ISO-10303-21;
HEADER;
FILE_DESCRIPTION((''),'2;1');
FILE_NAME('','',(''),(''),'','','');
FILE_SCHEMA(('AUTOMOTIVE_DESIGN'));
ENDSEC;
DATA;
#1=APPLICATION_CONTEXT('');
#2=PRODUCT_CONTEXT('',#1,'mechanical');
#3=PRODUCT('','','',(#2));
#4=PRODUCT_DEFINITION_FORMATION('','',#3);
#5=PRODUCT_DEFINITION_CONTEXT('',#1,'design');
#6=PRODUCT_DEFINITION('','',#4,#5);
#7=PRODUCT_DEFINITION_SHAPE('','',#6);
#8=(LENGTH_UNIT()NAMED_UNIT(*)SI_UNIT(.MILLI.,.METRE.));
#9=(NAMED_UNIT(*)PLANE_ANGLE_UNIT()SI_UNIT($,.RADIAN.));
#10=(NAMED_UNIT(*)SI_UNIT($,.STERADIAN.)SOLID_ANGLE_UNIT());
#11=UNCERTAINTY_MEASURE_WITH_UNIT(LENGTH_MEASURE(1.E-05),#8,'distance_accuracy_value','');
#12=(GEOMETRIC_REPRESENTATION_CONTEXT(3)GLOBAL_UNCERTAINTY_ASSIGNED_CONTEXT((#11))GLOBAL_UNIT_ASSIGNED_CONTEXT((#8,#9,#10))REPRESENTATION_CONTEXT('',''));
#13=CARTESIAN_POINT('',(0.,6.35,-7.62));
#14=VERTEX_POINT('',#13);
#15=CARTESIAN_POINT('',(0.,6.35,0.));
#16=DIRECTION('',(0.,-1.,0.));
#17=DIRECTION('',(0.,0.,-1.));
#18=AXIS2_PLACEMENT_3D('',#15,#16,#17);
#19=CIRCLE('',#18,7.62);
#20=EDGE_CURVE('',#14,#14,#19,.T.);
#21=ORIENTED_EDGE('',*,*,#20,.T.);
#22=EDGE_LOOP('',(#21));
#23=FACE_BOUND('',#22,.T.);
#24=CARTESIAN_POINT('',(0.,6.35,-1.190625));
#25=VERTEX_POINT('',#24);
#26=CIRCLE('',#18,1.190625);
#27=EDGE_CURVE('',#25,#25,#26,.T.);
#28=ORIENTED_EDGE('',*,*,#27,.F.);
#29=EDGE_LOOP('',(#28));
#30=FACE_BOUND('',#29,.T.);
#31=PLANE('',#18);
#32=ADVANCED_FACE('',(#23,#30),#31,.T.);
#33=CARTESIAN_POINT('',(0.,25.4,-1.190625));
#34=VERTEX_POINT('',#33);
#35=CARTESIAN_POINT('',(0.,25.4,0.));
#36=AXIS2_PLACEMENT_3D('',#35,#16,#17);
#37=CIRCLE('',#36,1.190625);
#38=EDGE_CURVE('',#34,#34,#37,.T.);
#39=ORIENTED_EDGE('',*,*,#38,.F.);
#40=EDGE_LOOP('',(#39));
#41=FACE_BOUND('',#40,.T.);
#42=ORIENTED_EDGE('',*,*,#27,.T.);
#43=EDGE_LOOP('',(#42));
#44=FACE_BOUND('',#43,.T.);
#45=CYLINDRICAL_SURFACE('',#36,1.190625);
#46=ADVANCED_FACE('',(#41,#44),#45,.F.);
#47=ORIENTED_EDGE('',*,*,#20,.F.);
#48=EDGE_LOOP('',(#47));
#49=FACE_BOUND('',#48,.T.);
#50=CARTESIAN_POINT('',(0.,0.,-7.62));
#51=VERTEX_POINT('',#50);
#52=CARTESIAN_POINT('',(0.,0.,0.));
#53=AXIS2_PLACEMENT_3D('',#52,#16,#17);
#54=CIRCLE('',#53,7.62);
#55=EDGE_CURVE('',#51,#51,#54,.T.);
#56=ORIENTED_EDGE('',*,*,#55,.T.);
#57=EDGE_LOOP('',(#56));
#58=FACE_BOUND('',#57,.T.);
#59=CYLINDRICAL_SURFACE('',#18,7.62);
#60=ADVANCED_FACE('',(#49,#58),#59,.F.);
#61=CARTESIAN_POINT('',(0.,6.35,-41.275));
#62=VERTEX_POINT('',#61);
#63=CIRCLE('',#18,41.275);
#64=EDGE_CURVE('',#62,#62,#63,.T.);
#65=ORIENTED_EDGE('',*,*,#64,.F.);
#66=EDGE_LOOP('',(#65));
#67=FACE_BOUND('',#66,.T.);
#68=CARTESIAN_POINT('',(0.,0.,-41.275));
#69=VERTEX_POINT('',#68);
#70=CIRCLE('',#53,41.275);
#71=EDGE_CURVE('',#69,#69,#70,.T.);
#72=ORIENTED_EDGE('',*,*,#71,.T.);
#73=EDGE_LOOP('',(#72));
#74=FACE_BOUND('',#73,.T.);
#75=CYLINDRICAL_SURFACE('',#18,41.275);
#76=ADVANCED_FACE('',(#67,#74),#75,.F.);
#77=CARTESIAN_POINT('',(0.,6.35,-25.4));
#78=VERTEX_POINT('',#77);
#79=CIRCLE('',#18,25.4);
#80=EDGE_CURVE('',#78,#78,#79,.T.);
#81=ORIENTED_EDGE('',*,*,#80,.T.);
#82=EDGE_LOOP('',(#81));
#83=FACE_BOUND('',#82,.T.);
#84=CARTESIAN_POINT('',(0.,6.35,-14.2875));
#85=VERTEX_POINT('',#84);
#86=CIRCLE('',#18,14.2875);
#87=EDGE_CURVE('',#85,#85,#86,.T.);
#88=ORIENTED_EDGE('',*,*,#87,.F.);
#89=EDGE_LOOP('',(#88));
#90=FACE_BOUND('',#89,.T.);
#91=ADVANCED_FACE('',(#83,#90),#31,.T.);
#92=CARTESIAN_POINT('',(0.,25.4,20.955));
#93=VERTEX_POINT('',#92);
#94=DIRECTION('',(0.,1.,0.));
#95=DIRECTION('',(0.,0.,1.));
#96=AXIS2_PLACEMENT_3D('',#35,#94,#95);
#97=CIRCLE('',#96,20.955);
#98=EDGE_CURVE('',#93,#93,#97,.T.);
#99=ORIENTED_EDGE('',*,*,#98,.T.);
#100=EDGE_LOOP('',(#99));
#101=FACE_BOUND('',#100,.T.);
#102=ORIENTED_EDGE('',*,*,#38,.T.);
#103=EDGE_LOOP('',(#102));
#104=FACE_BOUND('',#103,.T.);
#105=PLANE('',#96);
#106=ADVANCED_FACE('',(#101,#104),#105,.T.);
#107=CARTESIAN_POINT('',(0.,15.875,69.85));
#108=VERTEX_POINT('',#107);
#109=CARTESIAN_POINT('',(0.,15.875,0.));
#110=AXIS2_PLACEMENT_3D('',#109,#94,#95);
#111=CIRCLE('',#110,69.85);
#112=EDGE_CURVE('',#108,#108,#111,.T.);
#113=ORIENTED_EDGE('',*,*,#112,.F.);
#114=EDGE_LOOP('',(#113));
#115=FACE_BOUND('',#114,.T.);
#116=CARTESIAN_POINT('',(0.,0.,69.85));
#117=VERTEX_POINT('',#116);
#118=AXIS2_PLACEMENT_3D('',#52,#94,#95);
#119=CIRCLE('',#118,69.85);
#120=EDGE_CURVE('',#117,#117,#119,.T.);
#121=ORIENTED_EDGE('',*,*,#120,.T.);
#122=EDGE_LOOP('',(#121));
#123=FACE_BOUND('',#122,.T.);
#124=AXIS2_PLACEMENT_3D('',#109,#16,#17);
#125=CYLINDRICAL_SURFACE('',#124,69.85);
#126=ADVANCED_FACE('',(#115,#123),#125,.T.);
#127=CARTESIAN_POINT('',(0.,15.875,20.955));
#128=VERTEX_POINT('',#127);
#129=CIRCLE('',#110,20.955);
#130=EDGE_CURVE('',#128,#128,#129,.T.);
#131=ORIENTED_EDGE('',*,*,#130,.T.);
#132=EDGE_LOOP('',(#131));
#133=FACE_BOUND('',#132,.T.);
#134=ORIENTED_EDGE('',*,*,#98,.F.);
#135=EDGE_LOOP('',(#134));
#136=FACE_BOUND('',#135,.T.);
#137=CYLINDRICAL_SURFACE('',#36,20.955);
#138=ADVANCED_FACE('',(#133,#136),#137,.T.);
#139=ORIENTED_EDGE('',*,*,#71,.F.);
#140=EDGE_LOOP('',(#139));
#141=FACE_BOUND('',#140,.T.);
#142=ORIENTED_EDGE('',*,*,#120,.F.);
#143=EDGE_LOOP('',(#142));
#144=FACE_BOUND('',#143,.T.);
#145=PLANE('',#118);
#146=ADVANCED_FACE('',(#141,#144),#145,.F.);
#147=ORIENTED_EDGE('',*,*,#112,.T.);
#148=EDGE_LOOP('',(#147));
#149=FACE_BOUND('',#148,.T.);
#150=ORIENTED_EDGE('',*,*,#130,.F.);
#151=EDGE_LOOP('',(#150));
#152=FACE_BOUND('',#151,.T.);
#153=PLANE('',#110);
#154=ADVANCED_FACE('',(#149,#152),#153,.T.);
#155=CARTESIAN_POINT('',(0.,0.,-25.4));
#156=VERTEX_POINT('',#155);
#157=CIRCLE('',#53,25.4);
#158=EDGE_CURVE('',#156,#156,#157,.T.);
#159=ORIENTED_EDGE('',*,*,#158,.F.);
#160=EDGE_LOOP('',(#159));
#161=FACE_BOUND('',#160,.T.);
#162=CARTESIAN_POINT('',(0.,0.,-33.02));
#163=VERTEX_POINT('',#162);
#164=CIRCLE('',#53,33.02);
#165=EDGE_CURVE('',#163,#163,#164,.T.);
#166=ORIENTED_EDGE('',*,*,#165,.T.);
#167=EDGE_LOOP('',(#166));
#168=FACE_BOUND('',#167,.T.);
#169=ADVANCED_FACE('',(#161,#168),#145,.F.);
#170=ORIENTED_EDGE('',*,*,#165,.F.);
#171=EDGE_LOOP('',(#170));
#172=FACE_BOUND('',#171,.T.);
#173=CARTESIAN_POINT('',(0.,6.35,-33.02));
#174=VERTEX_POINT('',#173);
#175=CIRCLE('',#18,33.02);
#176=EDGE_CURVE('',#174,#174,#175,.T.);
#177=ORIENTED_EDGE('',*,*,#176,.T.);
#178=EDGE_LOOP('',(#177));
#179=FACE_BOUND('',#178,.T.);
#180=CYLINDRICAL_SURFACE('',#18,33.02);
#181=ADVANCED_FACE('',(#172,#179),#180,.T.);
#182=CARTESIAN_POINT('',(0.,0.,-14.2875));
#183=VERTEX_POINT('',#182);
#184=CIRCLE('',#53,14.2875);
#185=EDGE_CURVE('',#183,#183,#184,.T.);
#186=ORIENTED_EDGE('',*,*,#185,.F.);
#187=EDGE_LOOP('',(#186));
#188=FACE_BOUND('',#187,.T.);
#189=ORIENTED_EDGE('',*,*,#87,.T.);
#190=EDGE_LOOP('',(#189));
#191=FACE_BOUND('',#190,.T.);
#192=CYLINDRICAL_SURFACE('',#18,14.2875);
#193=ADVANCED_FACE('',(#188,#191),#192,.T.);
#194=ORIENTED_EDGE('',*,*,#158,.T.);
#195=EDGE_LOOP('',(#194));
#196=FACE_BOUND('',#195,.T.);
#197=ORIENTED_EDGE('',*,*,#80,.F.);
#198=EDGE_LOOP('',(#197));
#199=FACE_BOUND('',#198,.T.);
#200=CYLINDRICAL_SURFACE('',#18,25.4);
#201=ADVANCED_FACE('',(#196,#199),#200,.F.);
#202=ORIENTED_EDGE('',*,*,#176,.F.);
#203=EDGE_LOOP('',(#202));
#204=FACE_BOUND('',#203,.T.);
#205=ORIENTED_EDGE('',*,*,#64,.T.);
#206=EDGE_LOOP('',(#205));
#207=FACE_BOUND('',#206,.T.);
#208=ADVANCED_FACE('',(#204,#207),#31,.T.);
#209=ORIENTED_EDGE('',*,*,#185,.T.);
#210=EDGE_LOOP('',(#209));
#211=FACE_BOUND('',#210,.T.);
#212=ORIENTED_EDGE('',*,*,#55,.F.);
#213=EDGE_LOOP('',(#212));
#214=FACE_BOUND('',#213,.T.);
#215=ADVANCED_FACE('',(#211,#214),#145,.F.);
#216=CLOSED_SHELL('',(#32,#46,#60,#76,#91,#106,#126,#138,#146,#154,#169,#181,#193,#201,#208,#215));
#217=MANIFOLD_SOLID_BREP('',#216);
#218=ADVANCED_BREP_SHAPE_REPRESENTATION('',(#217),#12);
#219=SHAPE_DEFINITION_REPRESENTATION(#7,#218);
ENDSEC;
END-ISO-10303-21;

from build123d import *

# Parameters (mm, degrees)
SKETCH1_R           = 69.85
BOSS_EXTRUDE1_DEPTH = 15.875
SKETCH2_R           = 20.955
BOSS_EXTRUDE2_DEPTH = 9.525
SKETCH13_R          = 41.275
SKETCH13_R_2        = 33.02
SKETCH13_R_3        = 25.4
SKETCH13_R_4        = 14.2875
SKETCH13_R_5        = 7.62
CUT_EXTRUDE10_DEPTH = 6.35
SKETCH14_R          = 1.190625
CUT_EXTRUDE11_DEPTH = 20.05


with BuildPart() as part:
    # Sketch1 → Boss-Extrude1 (new body)
    with BuildSketch(Plane(origin=(0, 0, 0), x_dir=(1, 0, 0), z_dir=(0, 1, 0))):
        Circle(SKETCH1_R)
    extrude(amount=BOSS_EXTRUDE1_DEPTH)

    # Sketch2 → Boss-Extrude2 (add)
    with BuildSketch(Plane(origin=(0, 15.875, 0), x_dir=(1, 0, 0), z_dir=(0, 1, 0))):
        Circle(SKETCH2_R)
    extrude(amount=BOSS_EXTRUDE2_DEPTH)

    # Sketch13 → Cut-Extrude10 (cut)
    with BuildSketch(Plane.XZ):
        Circle(SKETCH13_R)
        Circle(SKETCH13_R_2, mode=Mode.SUBTRACT)
        Circle(SKETCH13_R_3)
        Circle(SKETCH13_R_4, mode=Mode.SUBTRACT)
        Circle(SKETCH13_R_5)
    extrude(amount=-CUT_EXTRUDE10_DEPTH, mode=Mode.SUBTRACT)

    # Sketch14 → Cut-Extrude11 (cut, through all)
    with BuildSketch(Plane.XZ.offset(-6.35)):
        Circle(SKETCH14_R)
    extrude(amount=-CUT_EXTRUDE11_DEPTH, mode=Mode.SUBTRACT)


solid = part.part
